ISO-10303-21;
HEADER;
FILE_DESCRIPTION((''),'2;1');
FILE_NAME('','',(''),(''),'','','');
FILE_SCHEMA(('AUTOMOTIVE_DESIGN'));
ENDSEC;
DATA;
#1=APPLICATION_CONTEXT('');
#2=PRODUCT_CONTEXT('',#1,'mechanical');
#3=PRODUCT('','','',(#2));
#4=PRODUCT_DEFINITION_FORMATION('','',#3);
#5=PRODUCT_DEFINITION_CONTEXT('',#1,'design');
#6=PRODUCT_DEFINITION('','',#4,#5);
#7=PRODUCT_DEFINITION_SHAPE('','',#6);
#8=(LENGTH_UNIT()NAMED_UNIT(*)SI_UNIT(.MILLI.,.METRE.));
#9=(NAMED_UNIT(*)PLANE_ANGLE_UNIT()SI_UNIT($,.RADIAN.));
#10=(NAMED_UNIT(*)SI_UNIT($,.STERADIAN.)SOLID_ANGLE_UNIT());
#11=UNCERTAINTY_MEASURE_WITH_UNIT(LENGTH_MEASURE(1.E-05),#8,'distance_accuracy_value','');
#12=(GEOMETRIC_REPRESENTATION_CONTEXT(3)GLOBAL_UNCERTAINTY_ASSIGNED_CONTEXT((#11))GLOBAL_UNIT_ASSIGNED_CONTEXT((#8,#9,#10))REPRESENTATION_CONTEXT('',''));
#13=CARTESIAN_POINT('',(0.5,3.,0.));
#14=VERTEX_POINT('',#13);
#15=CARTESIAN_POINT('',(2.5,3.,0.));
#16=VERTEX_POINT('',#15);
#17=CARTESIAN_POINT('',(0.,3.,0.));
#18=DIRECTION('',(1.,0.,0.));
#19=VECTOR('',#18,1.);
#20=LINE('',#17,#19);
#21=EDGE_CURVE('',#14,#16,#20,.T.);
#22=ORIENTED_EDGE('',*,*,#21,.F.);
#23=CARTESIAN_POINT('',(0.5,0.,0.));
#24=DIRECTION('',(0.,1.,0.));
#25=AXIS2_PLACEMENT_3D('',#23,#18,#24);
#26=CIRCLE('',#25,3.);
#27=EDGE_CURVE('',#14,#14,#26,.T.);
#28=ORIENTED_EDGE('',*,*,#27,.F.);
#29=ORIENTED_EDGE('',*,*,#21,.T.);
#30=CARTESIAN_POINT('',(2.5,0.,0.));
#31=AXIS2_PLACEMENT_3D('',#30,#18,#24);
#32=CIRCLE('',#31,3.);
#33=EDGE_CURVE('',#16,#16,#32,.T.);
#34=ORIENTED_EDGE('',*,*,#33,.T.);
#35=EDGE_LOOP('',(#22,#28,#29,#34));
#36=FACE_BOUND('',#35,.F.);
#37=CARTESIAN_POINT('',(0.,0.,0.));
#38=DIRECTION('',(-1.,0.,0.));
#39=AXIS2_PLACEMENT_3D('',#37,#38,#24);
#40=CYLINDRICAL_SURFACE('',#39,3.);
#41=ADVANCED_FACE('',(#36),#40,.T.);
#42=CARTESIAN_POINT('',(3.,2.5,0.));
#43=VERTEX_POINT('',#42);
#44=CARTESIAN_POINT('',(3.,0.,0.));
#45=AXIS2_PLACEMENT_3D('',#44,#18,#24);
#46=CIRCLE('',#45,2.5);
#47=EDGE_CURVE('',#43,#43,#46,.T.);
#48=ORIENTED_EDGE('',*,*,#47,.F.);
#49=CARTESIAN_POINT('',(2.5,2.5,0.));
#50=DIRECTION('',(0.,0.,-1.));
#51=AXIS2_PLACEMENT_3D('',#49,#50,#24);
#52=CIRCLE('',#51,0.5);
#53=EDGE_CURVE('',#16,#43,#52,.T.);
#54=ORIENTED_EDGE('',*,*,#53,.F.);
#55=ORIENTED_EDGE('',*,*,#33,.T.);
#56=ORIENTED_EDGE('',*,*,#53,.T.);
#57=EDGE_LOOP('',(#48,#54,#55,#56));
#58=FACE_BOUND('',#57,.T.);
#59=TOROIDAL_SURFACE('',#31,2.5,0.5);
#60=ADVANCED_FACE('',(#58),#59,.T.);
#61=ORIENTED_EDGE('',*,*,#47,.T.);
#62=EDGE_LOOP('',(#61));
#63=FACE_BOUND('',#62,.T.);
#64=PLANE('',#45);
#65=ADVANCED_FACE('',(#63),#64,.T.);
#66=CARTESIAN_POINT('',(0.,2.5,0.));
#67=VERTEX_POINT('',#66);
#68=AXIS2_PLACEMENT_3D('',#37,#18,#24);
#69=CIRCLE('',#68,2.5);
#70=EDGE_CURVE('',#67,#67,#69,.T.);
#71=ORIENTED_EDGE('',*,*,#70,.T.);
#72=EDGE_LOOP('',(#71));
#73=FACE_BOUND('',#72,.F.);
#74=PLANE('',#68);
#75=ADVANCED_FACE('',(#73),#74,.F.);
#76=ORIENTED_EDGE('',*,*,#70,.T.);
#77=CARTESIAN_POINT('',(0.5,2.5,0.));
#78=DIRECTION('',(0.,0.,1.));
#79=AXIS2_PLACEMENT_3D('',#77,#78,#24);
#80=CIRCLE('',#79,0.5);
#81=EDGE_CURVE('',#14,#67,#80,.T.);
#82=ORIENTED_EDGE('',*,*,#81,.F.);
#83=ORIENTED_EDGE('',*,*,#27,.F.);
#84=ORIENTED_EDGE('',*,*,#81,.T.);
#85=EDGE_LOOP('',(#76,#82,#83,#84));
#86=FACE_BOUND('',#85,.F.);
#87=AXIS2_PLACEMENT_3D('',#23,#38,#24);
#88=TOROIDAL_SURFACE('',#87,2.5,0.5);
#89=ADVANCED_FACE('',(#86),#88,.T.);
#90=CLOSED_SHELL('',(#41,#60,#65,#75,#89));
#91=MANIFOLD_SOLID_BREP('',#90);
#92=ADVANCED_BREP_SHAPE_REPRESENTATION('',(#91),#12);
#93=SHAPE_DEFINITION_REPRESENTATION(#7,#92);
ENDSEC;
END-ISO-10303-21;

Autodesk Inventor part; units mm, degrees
ref_plane "YZ Plane" through (0, 0, 0) normal (1, 0, 0) x (0, 1, 0)
ref_plane "XZ Plane" through (0, 0, 0) normal (0, 1, 0) x (-1, 0, 0)
ref_plane "XY Plane" through (0, 0, 0) normal (0, 0, 1) x (1, 0, 0)
sketch "Sketch1" plane through (0, 0, 0) normal (1, 0, 0) x (0, 1, 0)
  circle A0 centre (0, 0) radius 3
  dimension "d0" = 6
extrude "Extrusion1" add sketch "Sketch1" along normal blind 3
fillet "Fillet1" radius 0.5 2 edges at (3, -3, 0) (0, -3, 0)
equation "\"d0\" = magnetDiameter"
equation "\"d1\" = magnetLength"
equation "\"materialThickness\" = 3.175"
equation "\"laserKerf\" = 0.12"
equation "\"cardPinDiameter\" = 3"
equation "\"centeralShaftDiameter\" = 8"
equation "\"cardWidth\" = 85.6"
equation "\"cardHeight\" = 53.98"
equation "\"cardThickness\" = 0.76"
equation "\"cardFillet\" = 2.88"
equation "\"cardClearence\" = 0.5"
equation "\"bearingOd\" = 22"
equation "\"bearingWidth\" = 8"
equation "\"axleHeight\" = 95"
equation "\"nutTrapClearence\" = 2"
equation "\"nutTrapwidth\" = 5.5"
equation "\"nutTrapDepth\" = 2.5"
equation "\"magnetDiameter\" = 6"
equation "\"magnetLength\" = 3"
equation "\"magnetProtusion\" = 0.25"
equation "\"spoolThickness\" = 5.588"
properties part number "magnet" material "Brass, Soft Yellow"
